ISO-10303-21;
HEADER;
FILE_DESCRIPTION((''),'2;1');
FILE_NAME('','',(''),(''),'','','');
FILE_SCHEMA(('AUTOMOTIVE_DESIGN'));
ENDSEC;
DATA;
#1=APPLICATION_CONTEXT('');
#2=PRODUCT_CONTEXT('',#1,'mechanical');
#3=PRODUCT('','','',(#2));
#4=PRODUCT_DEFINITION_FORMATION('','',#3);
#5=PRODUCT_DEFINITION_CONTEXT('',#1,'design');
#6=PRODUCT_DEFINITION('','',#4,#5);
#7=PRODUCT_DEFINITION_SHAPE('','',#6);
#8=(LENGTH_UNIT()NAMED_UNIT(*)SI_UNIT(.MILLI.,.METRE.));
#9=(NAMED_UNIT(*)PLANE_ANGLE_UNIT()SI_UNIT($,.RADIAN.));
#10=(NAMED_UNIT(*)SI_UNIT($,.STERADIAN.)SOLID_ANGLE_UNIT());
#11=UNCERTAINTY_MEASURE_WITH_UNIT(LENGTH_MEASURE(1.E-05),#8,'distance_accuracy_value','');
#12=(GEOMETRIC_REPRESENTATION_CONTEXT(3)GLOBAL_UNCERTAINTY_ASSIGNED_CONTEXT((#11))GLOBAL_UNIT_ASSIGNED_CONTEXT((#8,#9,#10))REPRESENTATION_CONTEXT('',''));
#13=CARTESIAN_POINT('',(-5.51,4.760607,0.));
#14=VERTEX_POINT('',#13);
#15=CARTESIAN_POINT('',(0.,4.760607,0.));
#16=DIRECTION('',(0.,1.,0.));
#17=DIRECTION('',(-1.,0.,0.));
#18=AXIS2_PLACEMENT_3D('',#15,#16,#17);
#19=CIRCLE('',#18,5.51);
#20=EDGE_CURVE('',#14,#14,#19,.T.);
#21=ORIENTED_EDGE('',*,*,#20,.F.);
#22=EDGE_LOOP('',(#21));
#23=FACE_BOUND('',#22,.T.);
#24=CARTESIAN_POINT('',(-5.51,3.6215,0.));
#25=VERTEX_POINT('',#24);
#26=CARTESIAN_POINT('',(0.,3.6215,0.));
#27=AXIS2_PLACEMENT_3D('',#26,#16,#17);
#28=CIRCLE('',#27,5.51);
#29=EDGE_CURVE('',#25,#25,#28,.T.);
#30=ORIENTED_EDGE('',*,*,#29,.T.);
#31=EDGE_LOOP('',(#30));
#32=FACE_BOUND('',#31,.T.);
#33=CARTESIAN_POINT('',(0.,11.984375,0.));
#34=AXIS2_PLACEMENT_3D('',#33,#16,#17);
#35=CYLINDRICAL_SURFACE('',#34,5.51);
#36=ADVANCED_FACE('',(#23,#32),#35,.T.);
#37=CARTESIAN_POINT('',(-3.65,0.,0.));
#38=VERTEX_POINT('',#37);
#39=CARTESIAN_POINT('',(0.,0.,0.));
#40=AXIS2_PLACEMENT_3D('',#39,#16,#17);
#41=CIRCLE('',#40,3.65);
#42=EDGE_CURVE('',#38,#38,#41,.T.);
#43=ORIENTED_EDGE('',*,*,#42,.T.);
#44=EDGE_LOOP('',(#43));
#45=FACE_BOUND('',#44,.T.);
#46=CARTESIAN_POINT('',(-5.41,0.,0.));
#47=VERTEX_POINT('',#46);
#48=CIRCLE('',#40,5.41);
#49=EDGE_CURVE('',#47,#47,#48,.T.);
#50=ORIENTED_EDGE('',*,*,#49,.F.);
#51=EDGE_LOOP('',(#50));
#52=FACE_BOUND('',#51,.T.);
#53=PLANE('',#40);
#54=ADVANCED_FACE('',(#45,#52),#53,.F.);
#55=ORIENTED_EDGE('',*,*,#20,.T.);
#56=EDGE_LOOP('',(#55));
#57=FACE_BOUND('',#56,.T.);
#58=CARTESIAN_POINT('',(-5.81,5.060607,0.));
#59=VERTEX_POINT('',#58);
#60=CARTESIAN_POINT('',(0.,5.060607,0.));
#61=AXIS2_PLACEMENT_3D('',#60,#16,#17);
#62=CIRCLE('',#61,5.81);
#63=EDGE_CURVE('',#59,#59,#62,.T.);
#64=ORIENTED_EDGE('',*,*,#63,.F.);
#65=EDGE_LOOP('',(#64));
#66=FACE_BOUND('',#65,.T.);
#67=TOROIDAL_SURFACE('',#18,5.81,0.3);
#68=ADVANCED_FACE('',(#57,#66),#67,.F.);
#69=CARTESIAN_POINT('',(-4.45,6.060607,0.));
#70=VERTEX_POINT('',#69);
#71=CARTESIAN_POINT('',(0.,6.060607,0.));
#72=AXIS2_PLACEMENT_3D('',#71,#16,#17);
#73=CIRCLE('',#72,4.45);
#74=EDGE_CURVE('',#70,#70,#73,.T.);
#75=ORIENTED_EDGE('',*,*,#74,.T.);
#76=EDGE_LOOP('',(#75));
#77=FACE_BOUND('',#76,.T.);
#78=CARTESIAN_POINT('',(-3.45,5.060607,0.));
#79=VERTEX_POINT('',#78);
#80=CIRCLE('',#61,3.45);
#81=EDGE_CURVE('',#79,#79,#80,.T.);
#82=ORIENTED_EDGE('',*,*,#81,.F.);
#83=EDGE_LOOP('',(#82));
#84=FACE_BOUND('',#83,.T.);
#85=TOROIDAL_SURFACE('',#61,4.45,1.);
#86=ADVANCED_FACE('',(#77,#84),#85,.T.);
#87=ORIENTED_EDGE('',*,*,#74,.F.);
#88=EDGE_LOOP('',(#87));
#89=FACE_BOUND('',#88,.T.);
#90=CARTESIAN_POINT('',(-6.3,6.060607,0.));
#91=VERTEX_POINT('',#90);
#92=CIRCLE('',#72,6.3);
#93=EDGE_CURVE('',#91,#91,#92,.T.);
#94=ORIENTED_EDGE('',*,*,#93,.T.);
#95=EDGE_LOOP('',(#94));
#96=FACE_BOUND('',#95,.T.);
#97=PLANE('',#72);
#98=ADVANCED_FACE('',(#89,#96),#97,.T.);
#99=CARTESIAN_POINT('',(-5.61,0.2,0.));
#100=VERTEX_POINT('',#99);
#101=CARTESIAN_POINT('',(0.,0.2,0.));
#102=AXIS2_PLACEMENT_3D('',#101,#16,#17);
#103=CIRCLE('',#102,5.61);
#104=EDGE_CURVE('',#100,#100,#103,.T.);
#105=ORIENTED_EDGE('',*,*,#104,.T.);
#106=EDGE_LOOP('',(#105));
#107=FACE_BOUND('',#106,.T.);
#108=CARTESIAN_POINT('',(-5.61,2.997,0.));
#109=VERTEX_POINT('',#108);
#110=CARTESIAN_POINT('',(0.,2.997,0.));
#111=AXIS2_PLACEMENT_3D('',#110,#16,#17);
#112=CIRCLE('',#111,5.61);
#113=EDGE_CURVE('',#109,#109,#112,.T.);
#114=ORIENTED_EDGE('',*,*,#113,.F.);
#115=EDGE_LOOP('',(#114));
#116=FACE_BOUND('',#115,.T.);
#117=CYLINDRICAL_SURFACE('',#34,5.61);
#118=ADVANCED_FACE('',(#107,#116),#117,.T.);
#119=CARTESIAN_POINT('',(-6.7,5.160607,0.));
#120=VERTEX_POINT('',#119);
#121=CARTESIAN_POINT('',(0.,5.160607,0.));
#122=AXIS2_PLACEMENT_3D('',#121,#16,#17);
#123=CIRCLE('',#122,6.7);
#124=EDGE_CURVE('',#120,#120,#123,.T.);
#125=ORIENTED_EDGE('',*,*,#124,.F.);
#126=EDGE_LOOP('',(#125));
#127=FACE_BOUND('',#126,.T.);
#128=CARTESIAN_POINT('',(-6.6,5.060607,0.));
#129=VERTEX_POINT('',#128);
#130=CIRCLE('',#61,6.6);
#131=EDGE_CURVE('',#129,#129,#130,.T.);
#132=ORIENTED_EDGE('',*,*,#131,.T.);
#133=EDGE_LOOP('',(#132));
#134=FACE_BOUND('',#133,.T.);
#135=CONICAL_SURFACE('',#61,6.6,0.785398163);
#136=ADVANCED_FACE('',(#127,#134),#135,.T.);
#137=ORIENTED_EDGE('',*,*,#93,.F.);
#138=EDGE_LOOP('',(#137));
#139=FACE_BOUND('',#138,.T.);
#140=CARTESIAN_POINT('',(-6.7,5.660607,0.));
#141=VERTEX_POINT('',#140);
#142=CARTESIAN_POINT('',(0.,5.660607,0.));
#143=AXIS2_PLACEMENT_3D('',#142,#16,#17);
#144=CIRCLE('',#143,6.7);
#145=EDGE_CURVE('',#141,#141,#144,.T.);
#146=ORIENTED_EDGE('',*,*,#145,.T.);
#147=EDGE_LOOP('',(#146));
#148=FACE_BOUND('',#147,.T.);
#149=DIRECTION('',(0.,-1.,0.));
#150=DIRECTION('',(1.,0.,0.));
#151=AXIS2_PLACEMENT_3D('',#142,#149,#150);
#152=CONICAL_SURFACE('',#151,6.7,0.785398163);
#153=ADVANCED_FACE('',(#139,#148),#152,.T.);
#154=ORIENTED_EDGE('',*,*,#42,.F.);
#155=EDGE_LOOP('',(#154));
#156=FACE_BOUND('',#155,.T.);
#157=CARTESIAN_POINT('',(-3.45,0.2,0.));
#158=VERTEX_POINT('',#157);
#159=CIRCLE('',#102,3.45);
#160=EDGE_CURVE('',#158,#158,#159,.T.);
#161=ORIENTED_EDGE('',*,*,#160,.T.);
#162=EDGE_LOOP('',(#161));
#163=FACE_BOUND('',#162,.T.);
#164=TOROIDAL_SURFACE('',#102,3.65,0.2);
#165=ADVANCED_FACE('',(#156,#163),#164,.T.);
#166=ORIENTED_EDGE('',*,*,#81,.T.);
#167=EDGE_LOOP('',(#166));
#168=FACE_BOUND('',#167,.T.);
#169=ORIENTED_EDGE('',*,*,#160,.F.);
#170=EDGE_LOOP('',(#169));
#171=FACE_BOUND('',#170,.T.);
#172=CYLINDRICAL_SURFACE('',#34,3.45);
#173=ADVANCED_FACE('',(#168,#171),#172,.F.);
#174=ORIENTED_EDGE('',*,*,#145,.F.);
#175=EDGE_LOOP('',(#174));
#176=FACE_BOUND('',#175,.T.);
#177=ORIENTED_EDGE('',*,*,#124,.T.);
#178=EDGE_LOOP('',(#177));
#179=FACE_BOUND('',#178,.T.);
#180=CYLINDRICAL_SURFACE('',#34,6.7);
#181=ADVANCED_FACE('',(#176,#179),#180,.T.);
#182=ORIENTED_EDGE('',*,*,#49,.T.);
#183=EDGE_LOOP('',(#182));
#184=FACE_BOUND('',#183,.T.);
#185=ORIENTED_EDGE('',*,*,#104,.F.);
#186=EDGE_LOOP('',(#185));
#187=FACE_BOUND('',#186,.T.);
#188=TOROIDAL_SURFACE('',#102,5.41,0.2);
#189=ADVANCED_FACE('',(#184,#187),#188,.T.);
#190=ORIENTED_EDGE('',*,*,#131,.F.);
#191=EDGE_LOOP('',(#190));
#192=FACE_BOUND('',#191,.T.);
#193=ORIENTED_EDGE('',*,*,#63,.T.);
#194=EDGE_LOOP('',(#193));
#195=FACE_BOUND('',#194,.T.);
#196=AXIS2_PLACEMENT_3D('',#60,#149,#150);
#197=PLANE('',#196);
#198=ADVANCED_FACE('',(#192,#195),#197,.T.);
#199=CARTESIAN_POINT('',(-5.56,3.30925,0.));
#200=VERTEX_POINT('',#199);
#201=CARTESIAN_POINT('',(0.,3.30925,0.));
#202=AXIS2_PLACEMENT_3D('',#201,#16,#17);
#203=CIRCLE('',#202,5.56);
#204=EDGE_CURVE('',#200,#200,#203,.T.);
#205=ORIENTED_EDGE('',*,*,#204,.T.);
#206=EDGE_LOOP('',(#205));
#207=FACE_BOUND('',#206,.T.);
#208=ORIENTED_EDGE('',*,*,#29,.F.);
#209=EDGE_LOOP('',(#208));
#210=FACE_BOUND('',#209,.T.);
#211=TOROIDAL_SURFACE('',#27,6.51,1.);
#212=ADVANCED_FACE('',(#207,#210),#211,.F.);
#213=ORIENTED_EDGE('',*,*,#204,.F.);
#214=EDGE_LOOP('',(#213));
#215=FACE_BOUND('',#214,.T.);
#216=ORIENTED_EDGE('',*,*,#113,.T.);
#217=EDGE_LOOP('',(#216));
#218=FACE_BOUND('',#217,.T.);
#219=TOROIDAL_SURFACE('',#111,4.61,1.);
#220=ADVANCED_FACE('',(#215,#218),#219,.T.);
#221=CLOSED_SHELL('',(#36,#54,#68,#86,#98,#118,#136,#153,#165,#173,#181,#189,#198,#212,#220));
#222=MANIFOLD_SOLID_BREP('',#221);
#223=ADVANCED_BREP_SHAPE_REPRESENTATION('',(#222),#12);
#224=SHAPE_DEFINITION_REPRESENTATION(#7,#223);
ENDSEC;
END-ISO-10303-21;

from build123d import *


with BuildPart() as part:
    # Sketch1 → Main Revolve (revolve)
    with BuildSketch(Plane.XY):
        with BuildLine():
            Line((-5.3, 0), (-3.65, 0))
            ThreePointArc((-3.65, 0), (-3.508578644, 0.058578644), (-3.45, 0.2))
            Line((-3.45, 0.2), (-3.45, 5.060607))
            ThreePointArc((-3.45, 5.060607), (-3.742893219, 5.767713781), (-4.45, 6.060607))
            Line((-4.45, 6.060607), (-6.3, 6.060607))
            Line((-6.3, 6.060607), (-6.7, 5.660607))
            Line((-6.7, 5.660607), (-6.7, 5.160607))
            Line((-6.7, 5.160607), (-6.6, 5.060607))
            Line((-6.6, 5.060607), (-5.81, 5.060607))
            ThreePointArc((-5.81, 5.060607), (-5.597867966, 4.972739034), (-5.51, 4.760607))
            Line((-5.51, 4.760607), (-5.51, 3.6214998))
            ThreePointArc((-5.51, 3.6214998), (-5.522579117, 3.463385917), (-5.56, 3.3092499))
            ThreePointArc((-5.56, 3.3092499), (-5.597420883, 3.155113883), (-5.61, 2.997))
            Line((-5.61, 2.997), (-5.61, 0.997))
            Line((-5.61, 0.997), (-5.61, 0.2))
            ThreePointArc((-5.61, 0.2), (-5.551421356, 0.058578644), (-5.41, 0))
            Line((-5.41, 0), (-5.3, 0))
        make_face()
    revolve(axis=Axis((0, 11.984375, 0), (0, -1, 0)))


solid = part.part
